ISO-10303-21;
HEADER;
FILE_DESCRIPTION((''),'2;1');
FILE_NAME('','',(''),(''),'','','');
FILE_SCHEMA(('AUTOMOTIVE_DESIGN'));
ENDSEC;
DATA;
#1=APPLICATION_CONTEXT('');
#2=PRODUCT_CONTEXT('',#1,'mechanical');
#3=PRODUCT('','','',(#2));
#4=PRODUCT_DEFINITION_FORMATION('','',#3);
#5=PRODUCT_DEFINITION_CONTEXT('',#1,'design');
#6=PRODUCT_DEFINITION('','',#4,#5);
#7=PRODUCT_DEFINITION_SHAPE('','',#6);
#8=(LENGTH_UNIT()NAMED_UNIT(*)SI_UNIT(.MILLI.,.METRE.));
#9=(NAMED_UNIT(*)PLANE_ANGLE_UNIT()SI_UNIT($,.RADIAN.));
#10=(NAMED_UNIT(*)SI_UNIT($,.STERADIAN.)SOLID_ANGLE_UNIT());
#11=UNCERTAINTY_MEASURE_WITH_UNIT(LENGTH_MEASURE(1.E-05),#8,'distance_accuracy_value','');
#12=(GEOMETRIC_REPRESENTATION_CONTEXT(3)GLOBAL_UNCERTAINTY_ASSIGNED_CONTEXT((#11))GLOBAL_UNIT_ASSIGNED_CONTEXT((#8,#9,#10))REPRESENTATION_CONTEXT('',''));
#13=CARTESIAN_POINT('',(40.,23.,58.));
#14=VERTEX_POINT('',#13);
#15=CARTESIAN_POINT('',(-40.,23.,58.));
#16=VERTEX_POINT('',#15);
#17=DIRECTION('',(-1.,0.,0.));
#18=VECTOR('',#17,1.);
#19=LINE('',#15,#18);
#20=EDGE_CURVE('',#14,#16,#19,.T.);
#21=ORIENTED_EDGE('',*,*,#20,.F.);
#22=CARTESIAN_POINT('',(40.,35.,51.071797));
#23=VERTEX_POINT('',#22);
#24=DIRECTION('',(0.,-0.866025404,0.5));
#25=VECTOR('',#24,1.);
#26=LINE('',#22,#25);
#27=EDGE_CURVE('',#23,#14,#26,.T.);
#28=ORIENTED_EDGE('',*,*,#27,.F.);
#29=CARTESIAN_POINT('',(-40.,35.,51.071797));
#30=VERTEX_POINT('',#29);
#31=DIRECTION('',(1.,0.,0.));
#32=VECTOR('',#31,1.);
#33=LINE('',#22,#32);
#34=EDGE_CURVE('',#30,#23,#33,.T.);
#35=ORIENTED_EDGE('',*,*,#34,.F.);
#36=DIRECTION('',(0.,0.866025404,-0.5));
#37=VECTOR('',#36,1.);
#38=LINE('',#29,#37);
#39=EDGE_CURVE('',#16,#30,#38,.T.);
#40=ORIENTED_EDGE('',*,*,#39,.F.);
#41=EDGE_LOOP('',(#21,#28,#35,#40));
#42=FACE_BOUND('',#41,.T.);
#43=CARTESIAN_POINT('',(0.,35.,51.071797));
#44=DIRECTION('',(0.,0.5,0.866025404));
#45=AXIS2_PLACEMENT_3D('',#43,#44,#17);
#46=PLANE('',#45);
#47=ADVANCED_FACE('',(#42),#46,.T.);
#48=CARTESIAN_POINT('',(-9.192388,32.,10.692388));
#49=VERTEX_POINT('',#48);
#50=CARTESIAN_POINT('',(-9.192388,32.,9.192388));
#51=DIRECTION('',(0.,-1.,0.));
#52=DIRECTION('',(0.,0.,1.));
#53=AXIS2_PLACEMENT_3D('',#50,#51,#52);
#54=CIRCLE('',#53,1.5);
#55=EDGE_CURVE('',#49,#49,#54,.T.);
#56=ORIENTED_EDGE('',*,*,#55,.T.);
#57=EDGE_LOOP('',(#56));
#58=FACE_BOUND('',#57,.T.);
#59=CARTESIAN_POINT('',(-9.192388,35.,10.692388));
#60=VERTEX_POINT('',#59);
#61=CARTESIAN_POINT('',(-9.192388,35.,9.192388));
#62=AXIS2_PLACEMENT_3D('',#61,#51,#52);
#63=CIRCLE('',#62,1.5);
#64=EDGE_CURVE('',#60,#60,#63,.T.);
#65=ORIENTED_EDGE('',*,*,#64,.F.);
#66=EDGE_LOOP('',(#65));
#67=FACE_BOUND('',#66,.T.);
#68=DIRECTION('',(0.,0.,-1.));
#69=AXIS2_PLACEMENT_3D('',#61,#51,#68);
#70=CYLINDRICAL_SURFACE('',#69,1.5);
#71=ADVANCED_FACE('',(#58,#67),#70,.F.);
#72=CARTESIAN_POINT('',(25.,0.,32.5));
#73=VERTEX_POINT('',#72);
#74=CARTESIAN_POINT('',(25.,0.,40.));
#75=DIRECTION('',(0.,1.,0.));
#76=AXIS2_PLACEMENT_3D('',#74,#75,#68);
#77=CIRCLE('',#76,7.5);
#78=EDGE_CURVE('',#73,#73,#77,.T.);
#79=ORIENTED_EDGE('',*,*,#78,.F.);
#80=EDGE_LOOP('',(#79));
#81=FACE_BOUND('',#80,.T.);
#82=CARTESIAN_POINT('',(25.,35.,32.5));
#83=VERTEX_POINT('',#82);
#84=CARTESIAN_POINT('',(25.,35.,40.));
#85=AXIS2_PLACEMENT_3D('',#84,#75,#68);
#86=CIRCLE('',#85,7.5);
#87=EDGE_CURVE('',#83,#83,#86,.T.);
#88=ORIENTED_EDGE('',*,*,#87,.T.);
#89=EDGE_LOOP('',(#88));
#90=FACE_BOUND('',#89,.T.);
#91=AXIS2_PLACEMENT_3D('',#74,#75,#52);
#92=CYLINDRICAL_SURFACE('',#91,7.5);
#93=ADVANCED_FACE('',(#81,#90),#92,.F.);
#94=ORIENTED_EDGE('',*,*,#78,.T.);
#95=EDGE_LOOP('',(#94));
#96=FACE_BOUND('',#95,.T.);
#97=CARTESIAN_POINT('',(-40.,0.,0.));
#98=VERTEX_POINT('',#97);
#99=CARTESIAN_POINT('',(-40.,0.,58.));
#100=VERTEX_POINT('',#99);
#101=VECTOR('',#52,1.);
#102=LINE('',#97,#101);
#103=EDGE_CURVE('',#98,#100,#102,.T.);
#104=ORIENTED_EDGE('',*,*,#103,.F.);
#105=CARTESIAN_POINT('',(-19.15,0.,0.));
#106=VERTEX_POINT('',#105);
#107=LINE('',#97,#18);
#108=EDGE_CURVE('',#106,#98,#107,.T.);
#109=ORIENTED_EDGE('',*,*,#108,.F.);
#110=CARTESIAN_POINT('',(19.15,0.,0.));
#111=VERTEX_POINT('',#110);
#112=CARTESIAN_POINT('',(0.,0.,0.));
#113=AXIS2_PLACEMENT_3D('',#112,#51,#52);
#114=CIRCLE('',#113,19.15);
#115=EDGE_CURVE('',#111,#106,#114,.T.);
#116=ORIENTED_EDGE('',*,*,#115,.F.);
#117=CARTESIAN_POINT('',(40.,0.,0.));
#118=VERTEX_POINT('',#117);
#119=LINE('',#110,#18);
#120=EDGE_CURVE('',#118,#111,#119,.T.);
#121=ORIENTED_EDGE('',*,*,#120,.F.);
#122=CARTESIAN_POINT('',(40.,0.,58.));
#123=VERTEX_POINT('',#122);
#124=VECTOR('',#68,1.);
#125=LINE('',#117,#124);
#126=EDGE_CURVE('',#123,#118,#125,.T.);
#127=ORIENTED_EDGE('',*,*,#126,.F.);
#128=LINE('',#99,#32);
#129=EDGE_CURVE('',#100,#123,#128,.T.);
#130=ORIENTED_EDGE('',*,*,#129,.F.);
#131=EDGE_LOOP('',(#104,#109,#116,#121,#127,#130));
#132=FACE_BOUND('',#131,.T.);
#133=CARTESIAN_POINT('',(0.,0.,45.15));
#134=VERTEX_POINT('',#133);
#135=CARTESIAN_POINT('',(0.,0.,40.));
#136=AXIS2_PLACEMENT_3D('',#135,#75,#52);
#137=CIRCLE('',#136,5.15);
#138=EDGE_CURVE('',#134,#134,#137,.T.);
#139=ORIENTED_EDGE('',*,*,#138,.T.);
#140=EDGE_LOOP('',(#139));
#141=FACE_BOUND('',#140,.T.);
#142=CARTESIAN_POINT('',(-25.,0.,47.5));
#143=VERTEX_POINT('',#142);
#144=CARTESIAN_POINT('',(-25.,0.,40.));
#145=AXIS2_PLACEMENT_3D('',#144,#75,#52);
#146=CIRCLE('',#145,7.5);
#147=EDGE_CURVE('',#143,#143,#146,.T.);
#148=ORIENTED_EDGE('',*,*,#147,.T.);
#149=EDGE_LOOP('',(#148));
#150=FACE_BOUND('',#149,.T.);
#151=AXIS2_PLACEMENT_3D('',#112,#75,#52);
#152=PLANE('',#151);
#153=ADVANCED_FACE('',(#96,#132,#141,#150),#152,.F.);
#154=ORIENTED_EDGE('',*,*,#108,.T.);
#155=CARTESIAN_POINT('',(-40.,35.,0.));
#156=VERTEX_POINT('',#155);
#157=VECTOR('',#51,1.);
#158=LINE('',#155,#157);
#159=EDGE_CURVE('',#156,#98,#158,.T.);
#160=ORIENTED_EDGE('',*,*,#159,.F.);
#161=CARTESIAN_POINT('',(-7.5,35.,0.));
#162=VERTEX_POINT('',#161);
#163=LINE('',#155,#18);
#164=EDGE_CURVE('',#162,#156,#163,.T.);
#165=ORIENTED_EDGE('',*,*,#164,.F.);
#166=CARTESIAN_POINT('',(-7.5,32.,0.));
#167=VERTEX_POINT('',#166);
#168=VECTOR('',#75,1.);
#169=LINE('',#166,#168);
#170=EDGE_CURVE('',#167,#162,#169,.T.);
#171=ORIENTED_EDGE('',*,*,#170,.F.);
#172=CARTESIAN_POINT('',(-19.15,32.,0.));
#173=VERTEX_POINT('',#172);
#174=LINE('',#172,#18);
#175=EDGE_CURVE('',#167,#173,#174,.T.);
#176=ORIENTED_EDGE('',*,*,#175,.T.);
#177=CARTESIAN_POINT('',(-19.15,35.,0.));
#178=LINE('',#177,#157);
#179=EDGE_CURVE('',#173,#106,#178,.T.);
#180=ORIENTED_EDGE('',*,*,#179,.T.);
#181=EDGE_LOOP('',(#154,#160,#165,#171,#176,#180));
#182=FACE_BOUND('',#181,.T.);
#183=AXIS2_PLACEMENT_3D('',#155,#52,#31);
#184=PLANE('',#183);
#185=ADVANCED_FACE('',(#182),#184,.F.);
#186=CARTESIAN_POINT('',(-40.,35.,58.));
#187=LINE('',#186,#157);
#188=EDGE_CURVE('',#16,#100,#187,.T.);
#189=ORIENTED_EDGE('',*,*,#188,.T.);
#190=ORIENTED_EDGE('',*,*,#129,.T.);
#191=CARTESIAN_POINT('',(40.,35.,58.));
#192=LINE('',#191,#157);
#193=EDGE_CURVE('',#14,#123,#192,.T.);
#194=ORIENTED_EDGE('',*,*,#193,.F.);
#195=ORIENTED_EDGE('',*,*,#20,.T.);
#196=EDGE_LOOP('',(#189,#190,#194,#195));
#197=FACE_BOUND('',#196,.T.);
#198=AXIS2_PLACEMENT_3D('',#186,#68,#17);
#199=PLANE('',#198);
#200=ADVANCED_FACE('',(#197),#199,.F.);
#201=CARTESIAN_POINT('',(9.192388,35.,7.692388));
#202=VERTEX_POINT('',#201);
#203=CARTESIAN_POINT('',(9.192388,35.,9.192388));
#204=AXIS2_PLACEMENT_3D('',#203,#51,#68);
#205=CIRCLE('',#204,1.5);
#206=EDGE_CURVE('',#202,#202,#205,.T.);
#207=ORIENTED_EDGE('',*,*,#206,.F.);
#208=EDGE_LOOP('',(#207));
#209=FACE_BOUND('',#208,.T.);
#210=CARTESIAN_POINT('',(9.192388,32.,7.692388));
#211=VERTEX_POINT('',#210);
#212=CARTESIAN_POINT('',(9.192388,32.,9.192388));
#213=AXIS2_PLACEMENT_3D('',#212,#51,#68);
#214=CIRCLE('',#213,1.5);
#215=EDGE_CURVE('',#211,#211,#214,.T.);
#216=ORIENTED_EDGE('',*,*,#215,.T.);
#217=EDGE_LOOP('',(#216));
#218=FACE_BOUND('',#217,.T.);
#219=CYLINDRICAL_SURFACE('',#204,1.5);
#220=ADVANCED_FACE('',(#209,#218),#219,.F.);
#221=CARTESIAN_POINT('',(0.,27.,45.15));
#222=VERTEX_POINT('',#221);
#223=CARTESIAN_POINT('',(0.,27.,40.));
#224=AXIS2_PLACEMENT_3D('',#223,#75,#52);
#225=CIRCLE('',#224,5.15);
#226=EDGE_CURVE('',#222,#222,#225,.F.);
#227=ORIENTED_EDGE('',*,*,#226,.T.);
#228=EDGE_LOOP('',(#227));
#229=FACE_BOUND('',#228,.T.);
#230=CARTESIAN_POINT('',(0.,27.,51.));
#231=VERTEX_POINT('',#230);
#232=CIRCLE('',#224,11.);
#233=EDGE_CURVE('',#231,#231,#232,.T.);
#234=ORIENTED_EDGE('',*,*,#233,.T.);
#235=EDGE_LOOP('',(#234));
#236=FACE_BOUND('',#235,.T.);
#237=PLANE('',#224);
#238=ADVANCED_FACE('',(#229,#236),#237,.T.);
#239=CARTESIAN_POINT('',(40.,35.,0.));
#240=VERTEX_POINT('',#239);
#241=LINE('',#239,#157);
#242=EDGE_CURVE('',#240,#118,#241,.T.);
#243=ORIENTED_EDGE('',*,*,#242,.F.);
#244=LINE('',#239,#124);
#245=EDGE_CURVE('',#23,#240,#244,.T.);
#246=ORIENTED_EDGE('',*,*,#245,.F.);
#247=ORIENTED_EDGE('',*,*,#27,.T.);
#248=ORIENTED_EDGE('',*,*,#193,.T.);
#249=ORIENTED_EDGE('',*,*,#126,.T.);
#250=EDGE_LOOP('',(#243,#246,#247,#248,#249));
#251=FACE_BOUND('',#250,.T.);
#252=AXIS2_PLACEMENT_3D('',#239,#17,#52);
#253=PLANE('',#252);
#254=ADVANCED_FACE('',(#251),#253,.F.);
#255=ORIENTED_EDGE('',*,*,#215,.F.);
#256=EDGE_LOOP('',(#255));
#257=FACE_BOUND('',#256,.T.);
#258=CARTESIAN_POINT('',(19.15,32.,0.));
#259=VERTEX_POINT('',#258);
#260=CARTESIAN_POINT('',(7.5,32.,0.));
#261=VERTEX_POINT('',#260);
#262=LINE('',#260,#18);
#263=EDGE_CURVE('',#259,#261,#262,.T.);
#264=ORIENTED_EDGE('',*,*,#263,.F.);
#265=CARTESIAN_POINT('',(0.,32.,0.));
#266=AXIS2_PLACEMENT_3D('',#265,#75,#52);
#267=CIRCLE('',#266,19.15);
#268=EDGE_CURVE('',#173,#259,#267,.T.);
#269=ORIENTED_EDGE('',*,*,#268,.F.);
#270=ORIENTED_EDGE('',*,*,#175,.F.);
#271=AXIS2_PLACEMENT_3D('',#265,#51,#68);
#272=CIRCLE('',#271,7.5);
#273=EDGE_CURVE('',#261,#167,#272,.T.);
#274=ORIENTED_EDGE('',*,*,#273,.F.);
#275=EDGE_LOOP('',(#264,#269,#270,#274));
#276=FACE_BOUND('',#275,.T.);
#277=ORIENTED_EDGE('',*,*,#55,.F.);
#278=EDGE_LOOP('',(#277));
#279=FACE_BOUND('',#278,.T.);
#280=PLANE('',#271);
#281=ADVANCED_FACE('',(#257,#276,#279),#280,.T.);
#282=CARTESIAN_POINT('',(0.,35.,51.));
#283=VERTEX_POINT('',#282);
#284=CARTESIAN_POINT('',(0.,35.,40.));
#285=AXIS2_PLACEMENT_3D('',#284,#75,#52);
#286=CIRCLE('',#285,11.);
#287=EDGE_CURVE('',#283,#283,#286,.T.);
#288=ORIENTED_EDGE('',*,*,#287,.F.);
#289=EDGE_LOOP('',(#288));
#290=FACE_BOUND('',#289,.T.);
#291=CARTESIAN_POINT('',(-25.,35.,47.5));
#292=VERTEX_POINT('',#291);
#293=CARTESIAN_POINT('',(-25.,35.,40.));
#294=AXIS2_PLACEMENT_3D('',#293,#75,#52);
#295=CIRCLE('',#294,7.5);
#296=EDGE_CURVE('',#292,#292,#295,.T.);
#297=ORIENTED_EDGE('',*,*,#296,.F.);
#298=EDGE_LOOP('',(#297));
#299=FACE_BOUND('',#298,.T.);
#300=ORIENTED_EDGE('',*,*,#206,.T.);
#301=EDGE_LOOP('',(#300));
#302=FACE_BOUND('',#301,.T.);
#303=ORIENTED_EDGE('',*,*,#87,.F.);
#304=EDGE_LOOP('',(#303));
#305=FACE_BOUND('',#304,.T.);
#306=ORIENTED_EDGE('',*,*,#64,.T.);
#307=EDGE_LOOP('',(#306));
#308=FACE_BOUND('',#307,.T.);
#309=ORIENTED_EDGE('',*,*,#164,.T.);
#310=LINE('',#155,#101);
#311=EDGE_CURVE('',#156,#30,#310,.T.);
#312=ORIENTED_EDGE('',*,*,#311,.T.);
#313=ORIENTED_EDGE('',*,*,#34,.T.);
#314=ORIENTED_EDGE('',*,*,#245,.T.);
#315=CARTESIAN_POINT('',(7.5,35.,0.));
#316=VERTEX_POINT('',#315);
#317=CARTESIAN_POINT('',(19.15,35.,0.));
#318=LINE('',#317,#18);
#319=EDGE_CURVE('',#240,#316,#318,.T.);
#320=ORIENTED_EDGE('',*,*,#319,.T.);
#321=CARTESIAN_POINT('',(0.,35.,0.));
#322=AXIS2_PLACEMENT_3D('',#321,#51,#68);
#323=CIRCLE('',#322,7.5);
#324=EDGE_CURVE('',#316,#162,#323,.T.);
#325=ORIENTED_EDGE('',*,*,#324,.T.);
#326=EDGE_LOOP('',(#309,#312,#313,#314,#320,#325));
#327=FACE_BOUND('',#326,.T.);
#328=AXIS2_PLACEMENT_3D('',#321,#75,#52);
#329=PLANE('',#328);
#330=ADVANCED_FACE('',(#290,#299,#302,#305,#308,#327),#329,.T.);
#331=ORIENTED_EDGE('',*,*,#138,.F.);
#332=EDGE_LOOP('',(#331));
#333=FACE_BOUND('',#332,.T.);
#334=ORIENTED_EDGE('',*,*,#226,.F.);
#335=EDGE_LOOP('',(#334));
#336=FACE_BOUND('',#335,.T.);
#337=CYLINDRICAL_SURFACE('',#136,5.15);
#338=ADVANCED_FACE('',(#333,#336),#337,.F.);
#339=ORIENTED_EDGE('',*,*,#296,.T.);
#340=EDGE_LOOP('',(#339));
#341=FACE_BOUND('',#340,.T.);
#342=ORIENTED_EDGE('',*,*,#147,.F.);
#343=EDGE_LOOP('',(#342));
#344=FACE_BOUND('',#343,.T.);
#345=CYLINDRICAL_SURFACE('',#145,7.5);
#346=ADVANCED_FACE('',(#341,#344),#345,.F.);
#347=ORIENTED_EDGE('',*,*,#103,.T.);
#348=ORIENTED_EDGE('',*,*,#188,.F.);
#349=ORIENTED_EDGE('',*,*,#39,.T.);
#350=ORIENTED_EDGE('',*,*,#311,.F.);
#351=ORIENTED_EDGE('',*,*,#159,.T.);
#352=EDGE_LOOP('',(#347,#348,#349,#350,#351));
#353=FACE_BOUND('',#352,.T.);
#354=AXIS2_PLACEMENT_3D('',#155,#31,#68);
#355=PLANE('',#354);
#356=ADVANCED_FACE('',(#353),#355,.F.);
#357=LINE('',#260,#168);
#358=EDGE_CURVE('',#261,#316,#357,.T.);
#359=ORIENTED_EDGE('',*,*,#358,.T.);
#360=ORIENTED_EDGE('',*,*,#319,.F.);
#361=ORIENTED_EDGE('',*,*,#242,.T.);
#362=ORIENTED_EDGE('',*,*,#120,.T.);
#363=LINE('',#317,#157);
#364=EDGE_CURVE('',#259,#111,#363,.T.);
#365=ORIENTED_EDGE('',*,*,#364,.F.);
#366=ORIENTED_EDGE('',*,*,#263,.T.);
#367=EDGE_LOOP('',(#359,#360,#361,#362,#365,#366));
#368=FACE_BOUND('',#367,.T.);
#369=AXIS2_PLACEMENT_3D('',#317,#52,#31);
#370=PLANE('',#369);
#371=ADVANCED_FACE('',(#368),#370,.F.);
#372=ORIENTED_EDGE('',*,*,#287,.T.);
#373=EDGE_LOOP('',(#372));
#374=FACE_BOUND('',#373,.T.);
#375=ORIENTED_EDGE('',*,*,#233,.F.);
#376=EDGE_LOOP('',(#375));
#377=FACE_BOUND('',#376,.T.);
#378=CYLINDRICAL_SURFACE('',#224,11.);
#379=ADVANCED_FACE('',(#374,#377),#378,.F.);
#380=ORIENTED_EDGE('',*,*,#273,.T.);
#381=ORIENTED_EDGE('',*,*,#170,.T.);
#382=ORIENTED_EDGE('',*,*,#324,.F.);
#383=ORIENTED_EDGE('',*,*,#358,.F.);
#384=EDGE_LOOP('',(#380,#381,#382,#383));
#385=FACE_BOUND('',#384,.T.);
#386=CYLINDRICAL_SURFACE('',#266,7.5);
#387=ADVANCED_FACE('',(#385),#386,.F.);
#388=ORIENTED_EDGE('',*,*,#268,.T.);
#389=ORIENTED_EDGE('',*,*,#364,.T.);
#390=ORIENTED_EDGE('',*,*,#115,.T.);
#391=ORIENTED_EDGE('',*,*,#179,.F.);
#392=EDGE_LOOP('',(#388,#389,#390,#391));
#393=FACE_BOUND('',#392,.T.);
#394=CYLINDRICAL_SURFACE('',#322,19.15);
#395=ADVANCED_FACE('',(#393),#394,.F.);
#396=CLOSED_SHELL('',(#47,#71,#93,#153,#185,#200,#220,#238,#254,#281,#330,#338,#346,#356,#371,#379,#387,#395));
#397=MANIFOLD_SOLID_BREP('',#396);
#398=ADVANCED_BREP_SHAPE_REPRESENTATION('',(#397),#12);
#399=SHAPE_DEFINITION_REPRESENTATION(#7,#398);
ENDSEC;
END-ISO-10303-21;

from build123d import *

# Parameters (mm, degrees)
BOSS_EXTRUDE1_DEPTH = 35
SKETCH2_R           = 7.5
SKETCH2_R_2         = 5.15
CUT_EXTRUDE1_DEPTH  = 36
BOSS_EXTRUDE2_DEPTH = 3
SKETCH6_R           = 1.5
CUT_EXTRUDE3_DEPTH  = 4
CHAMFER1_SIZE       = 12
CHAMFER1_SIZE2      = 6.92820323
SKETCH7_R           = 11
CUT_EXTRUDE4_DEPTH  = 8


with BuildPart() as part:
    # Sketch1 → Boss-Extrude1 (new body)
    with BuildSketch(Plane(origin=(0, 0, 0), x_dir=(1, 0, 0), z_dir=(0, 1, 0))):
        with BuildLine():
            Line((19.15, 0), (40, 0))
            Line((40, 0), (40, -58))
            Line((40, -58), (-40, -58))
            Line((-40, -58), (-40, 0))
            Line((-40, 0), (-19.15, 0))
            ThreePointArc((-19.15, 0), (0, -19.15), (19.15, 0))
        make_face()
    extrude(amount=BOSS_EXTRUDE1_DEPTH)

    # Sketch2 → Cut-Extrude1 (cut, through all)
    with BuildSketch(Plane(origin=(0, 35, 0), x_dir=(1, 0, 0), z_dir=(0, 1, 0))):
        with Locations((-25, -40)):
            Circle(SKETCH2_R)
        with Locations((25, -40)):
            Circle(SKETCH2_R)
        with Locations((0, -40)):
            Circle(SKETCH2_R_2)
    extrude(amount=-CUT_EXTRUDE1_DEPTH, mode=Mode.SUBTRACT)

    # Sketch5 → Boss-Extrude2 (add)
    with BuildSketch(Plane(origin=(0, 35, 0), x_dir=(1, 0, 0), z_dir=(0, 1, 0))):
        with BuildLine():
            Line((-19.15, 0), (-7.5, 0))
            ThreePointArc((-7.5, 0), (0, -7.5), (7.5, 0))
            Line((7.5, 0), (19.15, 0))
            ThreePointArc((19.15, 0), (0, -19.15), (-19.15, 0))
        make_face()
    extrude(amount=-BOSS_EXTRUDE2_DEPTH)

    # Sketch6 → Cut-Extrude3 (cut, through all)
    with BuildSketch(Plane.XZ.offset(-32)):
        with Locations((9.192388155, 9.192388155)):
            Circle(SKETCH6_R)
        with Locations((-9.192388155, 9.192388155)):
            Circle(SKETCH6_R)
    extrude(amount=-CUT_EXTRUDE3_DEPTH, mode=Mode.SUBTRACT)

    # Chamfer1
    chamfer1_edges = [part.edges().sort_by_distance(p)[0] for p in [
        (0, 35, 58),
    ]]
    chamfer1_side = [part.faces().sort_by_distance(p)[0] for p in [
        (0, 17.5, 58),
    ]]
    chamfer(chamfer1_edges, length=CHAMFER1_SIZE, length2=CHAMFER1_SIZE2, reference=chamfer1_side[0])

    # Sketch7 → Cut-Extrude4 (cut)
    with BuildSketch(Plane(origin=(0, 35, 0), x_dir=(1, 0, 0), z_dir=(0, 1, 0))):
        with Locations((0, -40)):
            Circle(SKETCH7_R)
    extrude(amount=-CUT_EXTRUDE4_DEPTH, mode=Mode.SUBTRACT)


solid = part.part
